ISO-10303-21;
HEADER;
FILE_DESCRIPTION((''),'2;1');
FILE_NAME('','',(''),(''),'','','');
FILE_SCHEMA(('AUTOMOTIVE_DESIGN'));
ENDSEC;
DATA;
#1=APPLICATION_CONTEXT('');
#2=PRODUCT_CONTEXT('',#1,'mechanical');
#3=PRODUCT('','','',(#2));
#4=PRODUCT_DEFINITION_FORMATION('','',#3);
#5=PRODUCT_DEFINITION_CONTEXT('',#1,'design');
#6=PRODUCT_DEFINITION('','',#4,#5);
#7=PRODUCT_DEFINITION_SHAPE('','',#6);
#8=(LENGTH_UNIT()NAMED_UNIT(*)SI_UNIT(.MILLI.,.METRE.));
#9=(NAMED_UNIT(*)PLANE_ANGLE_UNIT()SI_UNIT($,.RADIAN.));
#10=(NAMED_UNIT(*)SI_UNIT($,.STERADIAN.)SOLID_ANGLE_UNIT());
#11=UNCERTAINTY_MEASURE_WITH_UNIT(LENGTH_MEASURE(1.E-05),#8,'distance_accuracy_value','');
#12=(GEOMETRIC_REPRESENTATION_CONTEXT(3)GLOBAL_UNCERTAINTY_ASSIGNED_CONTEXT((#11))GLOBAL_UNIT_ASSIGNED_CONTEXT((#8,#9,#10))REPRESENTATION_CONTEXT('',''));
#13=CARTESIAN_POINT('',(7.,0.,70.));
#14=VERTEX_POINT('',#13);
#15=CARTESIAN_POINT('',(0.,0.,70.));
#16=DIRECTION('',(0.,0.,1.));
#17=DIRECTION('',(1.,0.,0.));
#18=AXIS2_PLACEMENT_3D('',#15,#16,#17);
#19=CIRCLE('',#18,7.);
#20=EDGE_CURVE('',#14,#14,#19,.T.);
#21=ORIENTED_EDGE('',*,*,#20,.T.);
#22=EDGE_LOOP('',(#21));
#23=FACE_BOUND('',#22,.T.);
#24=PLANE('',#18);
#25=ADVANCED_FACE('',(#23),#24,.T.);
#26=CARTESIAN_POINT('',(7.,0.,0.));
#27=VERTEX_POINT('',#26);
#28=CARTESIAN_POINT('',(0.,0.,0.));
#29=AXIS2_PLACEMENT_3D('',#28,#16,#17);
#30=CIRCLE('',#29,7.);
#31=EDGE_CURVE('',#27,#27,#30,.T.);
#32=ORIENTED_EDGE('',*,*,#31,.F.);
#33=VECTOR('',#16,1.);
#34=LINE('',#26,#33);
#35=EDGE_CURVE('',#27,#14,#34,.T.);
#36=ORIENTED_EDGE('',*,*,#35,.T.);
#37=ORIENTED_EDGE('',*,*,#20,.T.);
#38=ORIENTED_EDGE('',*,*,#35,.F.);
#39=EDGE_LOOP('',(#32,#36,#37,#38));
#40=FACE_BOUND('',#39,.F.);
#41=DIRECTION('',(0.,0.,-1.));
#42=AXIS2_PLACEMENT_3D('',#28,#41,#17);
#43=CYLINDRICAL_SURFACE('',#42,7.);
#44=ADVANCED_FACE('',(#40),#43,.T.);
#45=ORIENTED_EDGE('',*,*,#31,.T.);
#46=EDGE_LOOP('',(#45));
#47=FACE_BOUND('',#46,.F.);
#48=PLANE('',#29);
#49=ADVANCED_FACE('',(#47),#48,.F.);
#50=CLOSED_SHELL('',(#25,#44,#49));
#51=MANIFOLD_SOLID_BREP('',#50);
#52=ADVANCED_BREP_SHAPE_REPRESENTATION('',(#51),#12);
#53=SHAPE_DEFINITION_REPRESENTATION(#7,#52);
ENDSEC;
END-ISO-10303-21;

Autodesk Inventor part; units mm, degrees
ref_plane "YZ Plane" through (0, 0, 0) normal (1, 0, 0) x (0, 1, 0)
ref_plane "XZ Plane" through (0, 0, 0) normal (0, 1, 0) x (-1, 0, 0)
ref_plane "XY Plane" through (0, 0, 0) normal (0, 0, 1) x (1, 0, 0)
sketch "Sketch1" plane through (0, 0, 0) normal (0, 0, 1) x (1, 0, 0)
  circle A0 centre (0, 0) radius 7
  dimension "d0" = 14
extrude "Extrusion1" add sketch "Sketch1" along normal blind 70
properties part number "5 - Part 2"
